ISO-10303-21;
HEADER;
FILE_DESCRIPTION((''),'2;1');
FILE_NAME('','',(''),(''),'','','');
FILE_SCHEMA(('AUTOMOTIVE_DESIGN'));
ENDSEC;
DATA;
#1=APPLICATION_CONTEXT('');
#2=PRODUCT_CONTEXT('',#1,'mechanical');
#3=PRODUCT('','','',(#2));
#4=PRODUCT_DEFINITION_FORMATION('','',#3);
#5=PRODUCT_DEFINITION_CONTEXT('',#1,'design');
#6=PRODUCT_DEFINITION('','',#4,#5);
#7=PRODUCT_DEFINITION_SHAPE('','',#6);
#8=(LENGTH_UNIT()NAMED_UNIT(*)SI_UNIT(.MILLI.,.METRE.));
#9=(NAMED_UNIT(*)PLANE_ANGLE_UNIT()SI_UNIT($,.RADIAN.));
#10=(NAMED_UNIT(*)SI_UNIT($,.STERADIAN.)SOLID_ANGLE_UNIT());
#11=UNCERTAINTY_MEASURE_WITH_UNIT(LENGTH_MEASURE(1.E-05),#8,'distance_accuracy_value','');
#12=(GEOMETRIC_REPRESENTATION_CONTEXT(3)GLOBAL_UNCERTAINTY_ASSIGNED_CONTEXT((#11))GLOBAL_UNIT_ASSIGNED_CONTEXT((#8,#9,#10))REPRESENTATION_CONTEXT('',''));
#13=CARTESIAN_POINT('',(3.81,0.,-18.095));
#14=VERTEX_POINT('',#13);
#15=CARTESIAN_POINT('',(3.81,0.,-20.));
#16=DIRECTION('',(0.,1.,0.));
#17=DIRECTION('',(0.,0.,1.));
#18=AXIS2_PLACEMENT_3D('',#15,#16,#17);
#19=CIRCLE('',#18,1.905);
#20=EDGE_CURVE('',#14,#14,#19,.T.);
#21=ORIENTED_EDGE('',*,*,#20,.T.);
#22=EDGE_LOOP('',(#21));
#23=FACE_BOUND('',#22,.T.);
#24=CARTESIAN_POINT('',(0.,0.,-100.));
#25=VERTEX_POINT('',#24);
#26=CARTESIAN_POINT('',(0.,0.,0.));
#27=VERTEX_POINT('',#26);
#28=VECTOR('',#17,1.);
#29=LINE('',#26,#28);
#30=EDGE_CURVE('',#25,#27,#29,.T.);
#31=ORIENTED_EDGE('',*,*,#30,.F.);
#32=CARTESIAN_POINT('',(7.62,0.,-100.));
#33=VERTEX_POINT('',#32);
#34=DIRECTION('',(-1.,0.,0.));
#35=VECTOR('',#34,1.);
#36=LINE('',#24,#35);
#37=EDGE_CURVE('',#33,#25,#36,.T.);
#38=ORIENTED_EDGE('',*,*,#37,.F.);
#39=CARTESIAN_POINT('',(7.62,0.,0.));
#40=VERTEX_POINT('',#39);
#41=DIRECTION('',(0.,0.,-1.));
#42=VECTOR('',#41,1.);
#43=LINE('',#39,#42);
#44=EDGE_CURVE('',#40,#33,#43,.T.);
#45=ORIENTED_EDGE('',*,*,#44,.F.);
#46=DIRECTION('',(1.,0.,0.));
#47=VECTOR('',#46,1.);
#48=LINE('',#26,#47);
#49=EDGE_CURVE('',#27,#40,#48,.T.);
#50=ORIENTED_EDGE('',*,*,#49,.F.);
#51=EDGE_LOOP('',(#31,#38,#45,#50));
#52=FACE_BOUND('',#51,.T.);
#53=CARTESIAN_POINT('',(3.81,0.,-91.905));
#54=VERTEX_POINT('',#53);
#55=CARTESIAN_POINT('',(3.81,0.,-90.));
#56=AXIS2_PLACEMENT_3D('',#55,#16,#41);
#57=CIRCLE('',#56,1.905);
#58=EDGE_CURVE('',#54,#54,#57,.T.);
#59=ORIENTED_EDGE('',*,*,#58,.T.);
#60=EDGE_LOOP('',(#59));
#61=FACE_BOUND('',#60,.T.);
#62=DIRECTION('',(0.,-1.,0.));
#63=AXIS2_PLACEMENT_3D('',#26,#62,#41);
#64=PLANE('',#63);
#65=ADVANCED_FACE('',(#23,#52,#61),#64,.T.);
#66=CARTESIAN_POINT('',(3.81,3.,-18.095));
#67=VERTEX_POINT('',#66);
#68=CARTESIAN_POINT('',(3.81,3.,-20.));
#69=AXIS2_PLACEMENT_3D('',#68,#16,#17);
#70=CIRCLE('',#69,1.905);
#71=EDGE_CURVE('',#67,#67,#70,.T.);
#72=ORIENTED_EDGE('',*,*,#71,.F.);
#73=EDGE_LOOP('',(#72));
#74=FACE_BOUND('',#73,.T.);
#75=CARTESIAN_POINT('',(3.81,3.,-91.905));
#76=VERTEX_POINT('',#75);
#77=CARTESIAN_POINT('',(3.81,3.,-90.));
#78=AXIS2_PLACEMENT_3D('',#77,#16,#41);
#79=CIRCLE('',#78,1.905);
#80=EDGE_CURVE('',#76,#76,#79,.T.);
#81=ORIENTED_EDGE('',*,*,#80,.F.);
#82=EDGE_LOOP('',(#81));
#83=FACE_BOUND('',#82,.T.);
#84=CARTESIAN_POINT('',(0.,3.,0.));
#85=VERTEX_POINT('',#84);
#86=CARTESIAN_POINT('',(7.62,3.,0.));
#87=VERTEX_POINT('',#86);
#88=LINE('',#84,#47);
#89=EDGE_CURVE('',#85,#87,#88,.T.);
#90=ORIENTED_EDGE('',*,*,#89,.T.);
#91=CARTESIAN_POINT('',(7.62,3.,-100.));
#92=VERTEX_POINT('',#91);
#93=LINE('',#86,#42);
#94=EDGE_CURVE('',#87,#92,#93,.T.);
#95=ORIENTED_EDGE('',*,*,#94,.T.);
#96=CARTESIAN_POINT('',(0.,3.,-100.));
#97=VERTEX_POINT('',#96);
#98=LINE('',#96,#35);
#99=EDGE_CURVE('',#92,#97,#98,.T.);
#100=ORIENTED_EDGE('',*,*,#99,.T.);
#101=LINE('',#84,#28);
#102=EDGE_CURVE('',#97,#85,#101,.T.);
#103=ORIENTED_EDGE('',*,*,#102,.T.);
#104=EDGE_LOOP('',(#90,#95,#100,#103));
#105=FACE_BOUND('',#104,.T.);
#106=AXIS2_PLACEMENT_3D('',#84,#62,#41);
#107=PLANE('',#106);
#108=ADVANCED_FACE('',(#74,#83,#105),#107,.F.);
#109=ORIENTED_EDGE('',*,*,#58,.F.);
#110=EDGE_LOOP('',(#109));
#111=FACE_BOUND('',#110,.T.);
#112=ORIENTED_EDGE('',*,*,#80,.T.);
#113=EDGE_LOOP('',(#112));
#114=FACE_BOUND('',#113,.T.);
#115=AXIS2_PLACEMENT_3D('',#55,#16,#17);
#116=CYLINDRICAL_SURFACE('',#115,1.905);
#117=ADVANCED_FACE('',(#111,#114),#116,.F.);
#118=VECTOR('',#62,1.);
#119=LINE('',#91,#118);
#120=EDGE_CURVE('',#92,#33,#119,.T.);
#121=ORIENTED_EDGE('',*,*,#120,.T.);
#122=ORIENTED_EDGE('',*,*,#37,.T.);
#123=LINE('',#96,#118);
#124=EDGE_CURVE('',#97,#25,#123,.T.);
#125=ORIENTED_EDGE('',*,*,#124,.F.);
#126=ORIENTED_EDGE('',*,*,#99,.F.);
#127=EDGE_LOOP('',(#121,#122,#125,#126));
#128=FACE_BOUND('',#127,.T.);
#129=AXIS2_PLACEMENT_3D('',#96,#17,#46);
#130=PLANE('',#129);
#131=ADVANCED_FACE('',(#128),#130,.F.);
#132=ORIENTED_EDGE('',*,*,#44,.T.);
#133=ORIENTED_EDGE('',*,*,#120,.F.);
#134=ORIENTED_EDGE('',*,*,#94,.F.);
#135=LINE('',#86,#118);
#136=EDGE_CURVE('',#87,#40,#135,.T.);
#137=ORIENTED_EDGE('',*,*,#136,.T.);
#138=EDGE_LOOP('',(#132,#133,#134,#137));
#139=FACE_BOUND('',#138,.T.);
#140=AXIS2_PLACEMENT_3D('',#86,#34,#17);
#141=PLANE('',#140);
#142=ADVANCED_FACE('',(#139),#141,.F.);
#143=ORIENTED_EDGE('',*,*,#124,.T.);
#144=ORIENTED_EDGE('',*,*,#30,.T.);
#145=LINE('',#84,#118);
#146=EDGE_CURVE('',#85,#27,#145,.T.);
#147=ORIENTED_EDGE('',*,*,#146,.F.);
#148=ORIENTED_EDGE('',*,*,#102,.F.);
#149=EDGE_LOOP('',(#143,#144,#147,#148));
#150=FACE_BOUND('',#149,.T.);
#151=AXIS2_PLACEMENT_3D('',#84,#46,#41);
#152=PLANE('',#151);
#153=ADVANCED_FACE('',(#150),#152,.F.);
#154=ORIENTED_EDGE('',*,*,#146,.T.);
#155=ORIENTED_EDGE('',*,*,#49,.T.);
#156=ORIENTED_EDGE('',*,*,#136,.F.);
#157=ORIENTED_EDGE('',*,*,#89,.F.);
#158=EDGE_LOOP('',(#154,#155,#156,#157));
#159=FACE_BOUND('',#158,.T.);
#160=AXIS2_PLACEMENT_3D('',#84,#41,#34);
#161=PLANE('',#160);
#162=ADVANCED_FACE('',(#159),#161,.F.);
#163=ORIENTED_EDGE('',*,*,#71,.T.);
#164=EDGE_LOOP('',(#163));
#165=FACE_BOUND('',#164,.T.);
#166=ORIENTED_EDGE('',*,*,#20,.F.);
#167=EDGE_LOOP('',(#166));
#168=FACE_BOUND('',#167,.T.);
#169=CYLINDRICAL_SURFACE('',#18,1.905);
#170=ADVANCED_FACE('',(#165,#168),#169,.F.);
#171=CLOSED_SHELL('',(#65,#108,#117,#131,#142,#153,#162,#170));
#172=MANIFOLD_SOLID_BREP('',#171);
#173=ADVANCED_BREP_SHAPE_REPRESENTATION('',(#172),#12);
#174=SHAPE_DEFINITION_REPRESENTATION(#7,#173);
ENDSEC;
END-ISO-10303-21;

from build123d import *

# Parameters (mm, degrees)
SKETCH1_W           = 7.62
SKETCH1_H           = 100
BOSS_EXTRUDE1_DEPTH = 3
SKETCH2_R           = 1.905
CUT_EXTRUDE1_DEPTH  = 101.334761673


with BuildPart() as part:
    # Sketch1 → Boss-Extrude1 (new body)
    with BuildSketch(Plane(origin=(0, 0, 0), x_dir=(1, 0, 0), z_dir=(0, 1, 0))):
        with Locations((3.81, 50)):
            Rectangle(SKETCH1_W, SKETCH1_H)
    extrude(amount=BOSS_EXTRUDE1_DEPTH)

    # Sketch2 → Cut-Extrude1 (cut, through all)
    with BuildSketch(Plane(origin=(0, 3, 0), x_dir=(1, 0, 0), z_dir=(0, 1, 0))):
        with Locations(Location((3.81, 90, 0), (0, 0, 90))):
            Circle(SKETCH2_R)
        with Locations(Location((3.81, 20, 0), (0, 0, 270))):
            Circle(SKETCH2_R)
    extrude(amount=-CUT_EXTRUDE1_DEPTH, mode=Mode.SUBTRACT)


solid = part.part
